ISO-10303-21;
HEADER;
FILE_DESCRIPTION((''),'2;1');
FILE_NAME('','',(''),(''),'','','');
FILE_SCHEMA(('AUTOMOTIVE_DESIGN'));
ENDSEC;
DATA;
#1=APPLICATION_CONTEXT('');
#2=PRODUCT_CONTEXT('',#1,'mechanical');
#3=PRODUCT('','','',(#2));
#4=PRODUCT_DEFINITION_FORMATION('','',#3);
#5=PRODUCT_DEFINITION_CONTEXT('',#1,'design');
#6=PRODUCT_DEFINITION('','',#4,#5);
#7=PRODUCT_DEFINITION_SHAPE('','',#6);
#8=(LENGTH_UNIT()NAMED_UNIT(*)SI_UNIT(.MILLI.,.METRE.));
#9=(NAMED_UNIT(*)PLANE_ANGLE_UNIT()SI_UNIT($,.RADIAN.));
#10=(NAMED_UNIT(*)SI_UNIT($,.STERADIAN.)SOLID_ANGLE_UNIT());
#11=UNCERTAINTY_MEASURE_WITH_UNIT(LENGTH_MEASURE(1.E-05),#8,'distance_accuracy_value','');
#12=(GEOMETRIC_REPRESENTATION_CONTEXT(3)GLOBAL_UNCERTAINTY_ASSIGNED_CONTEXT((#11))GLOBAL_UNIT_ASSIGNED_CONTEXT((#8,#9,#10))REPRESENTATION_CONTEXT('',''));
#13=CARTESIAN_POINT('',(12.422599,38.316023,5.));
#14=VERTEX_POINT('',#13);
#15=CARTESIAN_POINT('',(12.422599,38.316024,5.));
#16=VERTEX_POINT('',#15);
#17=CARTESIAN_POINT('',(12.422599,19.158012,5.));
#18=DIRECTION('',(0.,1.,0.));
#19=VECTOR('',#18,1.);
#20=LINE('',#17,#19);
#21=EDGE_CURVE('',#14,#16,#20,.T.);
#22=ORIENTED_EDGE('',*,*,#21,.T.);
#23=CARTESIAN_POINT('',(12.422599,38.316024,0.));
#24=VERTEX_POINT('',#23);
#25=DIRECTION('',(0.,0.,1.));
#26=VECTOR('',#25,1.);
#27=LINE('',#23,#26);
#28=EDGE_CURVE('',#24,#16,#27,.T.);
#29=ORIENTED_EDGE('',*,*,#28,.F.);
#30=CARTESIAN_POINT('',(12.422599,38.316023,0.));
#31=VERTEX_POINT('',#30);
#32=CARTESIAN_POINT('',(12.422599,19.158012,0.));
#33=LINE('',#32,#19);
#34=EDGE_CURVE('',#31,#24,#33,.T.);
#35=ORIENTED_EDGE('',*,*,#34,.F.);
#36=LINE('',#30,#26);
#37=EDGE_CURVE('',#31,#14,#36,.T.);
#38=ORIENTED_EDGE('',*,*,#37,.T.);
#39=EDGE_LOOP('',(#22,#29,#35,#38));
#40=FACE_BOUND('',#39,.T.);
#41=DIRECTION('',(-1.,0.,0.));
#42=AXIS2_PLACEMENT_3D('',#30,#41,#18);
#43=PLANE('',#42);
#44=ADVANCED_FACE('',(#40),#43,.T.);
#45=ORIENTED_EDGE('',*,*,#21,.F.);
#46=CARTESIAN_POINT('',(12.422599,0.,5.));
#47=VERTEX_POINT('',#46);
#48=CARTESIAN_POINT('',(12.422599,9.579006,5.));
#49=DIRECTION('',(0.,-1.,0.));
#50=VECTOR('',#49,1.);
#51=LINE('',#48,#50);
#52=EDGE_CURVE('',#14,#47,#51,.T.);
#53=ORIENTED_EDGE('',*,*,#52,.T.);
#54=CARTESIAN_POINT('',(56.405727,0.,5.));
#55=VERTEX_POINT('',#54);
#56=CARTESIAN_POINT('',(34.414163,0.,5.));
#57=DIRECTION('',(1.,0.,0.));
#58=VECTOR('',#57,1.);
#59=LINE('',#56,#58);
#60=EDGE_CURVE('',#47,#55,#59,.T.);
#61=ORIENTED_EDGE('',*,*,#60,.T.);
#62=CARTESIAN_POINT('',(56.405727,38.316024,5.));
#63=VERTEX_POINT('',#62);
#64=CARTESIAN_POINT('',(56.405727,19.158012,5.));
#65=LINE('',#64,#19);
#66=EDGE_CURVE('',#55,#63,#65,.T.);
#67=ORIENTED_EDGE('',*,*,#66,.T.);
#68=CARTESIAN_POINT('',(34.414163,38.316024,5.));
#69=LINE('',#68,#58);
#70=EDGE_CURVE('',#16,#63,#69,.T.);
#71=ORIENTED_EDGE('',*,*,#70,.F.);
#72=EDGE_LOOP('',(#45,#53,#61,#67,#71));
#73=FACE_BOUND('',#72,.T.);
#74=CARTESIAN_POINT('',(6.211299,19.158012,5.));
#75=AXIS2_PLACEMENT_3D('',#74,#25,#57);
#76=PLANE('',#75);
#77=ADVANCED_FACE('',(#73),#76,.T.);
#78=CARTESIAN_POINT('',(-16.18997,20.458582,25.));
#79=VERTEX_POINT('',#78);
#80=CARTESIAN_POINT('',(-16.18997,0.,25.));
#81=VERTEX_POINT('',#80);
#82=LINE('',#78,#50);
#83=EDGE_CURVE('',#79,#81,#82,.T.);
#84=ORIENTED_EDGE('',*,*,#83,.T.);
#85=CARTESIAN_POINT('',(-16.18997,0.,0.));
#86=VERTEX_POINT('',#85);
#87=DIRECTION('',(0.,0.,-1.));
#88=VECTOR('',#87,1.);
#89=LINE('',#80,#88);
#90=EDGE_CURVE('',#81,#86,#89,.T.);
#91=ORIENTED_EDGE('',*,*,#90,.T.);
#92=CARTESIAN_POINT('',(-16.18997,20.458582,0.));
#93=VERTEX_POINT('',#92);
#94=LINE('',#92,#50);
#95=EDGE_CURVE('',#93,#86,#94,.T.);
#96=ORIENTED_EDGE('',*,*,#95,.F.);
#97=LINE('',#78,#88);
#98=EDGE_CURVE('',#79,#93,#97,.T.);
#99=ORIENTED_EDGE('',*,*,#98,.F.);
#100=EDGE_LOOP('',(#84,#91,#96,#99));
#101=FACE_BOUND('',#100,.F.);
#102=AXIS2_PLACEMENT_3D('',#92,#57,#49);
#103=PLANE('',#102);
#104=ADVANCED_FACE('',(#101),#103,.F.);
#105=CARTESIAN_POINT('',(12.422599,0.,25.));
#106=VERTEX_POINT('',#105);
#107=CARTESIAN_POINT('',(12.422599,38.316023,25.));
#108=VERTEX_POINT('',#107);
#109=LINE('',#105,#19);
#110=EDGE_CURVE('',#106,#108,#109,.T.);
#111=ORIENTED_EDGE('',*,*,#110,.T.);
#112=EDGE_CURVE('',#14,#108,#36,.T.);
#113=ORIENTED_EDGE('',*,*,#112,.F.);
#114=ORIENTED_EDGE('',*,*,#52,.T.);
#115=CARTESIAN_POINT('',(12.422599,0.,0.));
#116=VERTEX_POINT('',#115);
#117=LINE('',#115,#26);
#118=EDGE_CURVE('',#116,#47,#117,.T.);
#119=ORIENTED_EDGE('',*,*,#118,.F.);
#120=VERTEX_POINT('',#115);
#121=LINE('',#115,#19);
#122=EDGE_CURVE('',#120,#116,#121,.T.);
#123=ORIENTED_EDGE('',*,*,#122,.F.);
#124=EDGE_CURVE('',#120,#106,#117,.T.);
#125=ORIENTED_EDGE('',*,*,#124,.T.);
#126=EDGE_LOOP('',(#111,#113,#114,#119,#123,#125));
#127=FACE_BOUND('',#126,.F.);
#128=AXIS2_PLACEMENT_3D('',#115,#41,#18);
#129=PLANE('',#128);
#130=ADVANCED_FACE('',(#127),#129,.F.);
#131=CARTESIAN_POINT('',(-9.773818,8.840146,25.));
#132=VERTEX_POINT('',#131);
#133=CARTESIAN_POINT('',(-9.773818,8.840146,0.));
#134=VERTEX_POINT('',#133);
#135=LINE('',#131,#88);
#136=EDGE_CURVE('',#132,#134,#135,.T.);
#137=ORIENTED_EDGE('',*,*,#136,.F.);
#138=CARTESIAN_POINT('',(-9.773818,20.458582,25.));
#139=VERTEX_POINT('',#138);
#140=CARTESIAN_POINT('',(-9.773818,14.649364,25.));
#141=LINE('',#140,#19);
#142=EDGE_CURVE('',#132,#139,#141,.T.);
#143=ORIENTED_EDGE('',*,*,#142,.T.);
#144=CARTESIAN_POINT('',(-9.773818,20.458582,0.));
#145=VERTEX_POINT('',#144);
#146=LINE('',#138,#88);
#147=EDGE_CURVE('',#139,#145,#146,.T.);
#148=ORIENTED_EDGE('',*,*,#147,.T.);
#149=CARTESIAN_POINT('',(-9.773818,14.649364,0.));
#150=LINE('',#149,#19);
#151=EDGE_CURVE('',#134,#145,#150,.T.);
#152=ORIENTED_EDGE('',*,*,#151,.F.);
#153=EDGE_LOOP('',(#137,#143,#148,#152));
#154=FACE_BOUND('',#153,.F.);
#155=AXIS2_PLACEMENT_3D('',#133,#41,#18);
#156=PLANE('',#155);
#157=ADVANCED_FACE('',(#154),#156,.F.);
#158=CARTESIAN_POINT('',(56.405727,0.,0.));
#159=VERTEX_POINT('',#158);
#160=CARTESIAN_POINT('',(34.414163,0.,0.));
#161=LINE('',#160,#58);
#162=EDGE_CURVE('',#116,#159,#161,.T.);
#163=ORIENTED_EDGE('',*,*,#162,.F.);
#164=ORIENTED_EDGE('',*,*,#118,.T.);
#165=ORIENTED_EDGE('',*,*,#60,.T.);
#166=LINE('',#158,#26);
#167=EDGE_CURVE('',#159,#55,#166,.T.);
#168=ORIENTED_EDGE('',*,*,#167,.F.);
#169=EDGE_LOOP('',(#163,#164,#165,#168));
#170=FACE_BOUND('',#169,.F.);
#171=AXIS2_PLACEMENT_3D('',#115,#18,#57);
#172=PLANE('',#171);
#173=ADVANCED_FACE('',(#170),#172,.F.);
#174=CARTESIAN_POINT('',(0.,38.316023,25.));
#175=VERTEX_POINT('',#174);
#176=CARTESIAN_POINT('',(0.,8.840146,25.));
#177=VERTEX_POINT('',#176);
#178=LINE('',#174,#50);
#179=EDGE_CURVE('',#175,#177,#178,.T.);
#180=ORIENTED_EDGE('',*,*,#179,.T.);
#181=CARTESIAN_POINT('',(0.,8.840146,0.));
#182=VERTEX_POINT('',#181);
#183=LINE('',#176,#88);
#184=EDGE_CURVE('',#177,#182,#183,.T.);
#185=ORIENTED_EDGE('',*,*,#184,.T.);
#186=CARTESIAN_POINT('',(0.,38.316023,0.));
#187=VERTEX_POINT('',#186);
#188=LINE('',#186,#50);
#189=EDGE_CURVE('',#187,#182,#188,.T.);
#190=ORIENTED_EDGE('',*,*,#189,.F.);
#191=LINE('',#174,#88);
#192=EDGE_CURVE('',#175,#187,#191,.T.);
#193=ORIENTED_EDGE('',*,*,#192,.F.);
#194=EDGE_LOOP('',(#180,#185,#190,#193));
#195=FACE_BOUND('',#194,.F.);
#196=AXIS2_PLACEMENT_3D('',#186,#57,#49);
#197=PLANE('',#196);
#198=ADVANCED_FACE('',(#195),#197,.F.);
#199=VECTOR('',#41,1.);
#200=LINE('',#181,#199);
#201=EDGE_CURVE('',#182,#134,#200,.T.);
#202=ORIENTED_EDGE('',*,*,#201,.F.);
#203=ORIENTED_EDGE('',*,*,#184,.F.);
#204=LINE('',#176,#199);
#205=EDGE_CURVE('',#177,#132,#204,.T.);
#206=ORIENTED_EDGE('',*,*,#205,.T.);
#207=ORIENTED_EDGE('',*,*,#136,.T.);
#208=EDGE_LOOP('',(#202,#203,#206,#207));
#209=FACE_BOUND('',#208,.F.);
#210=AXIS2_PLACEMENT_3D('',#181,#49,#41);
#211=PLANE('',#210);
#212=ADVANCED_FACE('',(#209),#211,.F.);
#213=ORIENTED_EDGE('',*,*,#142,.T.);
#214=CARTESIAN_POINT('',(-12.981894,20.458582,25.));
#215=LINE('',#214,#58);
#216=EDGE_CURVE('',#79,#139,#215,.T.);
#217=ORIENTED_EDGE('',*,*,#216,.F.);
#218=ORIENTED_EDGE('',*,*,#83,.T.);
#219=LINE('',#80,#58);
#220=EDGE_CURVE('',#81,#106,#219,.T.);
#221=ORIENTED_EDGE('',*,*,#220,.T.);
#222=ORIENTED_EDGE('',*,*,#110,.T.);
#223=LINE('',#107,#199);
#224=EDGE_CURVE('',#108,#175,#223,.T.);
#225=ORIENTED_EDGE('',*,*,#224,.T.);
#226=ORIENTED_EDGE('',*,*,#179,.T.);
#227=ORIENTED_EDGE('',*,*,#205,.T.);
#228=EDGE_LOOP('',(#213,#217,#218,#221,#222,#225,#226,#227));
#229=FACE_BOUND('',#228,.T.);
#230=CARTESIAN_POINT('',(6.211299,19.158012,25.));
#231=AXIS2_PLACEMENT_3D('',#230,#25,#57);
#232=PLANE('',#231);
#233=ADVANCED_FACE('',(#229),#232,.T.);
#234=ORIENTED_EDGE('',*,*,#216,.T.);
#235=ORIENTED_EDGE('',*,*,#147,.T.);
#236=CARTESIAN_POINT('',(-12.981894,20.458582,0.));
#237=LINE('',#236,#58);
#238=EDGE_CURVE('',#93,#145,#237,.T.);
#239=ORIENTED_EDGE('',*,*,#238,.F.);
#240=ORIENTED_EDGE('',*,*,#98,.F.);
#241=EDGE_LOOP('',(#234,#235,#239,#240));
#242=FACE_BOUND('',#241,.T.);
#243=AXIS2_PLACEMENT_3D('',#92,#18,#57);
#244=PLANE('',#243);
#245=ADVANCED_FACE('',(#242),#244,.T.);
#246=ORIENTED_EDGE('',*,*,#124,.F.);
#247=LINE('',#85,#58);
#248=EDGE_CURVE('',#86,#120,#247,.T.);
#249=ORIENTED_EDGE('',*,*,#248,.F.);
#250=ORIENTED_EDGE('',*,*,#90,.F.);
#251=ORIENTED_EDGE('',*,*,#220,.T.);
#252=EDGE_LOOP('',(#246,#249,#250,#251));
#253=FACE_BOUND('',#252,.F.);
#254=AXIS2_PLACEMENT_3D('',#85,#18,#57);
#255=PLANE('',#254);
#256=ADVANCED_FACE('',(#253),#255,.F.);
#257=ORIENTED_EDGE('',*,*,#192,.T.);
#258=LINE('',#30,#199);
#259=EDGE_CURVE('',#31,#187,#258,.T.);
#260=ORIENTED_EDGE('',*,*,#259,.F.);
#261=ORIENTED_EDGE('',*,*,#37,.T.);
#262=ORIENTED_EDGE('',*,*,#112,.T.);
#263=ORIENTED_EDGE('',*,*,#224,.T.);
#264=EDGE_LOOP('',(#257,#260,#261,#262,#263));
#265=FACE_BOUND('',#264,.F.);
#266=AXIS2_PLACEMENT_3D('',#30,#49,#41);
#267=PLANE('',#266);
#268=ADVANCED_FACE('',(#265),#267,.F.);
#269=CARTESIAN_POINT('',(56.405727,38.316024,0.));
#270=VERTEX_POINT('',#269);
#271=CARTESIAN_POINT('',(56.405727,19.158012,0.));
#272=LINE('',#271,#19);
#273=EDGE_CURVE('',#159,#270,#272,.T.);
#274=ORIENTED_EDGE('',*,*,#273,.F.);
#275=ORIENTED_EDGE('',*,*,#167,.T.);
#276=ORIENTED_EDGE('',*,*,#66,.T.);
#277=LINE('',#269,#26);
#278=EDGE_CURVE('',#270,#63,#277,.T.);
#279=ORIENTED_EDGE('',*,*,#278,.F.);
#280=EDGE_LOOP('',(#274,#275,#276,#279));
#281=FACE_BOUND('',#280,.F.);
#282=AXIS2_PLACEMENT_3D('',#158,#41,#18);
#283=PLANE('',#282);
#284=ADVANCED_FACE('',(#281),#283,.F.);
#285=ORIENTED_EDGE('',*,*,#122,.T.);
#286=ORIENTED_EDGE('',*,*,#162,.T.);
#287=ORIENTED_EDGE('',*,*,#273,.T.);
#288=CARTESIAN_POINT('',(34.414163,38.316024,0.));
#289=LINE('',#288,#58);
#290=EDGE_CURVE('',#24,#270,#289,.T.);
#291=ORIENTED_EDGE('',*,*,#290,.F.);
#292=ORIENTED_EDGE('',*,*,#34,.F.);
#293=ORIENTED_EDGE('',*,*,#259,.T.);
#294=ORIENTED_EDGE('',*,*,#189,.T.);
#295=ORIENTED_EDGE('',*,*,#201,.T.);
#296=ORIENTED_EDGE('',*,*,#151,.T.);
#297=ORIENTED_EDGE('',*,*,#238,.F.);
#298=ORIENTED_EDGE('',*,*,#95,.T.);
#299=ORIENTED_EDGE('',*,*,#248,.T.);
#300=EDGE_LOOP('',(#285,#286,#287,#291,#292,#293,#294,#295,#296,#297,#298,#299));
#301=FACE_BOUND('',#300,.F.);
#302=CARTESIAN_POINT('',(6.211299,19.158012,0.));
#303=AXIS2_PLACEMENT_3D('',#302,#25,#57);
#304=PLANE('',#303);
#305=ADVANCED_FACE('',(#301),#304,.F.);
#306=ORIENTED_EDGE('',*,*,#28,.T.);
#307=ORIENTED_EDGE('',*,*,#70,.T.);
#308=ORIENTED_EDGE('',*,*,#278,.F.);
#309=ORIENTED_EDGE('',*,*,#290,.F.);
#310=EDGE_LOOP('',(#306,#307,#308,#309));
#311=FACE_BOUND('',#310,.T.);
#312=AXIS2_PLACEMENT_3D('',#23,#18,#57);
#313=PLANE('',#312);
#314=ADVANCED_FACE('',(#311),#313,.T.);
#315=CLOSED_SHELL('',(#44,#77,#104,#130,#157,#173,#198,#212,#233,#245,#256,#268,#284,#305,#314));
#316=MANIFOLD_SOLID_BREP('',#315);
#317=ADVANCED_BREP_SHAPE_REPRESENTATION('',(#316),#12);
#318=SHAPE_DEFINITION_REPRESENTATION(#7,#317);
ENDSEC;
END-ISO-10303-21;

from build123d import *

# Parameters (mm, degrees)
F0_W     = 43.983128
F0_H     = 38.316023
F0_W_2   = 6.416152
F0_H_2   = 11.618437
F1_DEPTH = 5
F2_DEPTH = 25


with BuildPart() as f1:
    # F0 (on Top) → F1 (new body)
    with BuildSketch(Plane.XY):
        Polygon((0, 8.840146), (0, 0), (12.422599, 0), (12.422599, 38.316023), (0, 38.316023), align=None)
        Polygon((-16.18997, 0), (0, 0), (0, 8.840146), (-9.773818, 8.840146), (-16.18997, 8.840146), align=None)
        with Locations((34.414163, 19.158012)):
            Rectangle(F0_W, F0_H)
        with Locations((-12.981894, 14.649364)):
            Rectangle(F0_W_2, F0_H_2)
    extrude(amount=F1_DEPTH)

    # F0 (on Top) → F2 (join)
    with BuildSketch(Plane.XY):
        Polygon((0, 8.840146), (0, 0), (12.422599, 0), (12.422599, 38.316023), (0, 38.316023), align=None)
        Polygon((-16.18997, 0), (0, 0), (0, 8.840146), (-9.773818, 8.840146), (-16.18997, 8.840146), align=None)
        with Locations((-12.981894, 14.649364)):
            Rectangle(F0_W_2, F0_H_2)
    extrude(amount=F2_DEPTH)


solid = f1.part
